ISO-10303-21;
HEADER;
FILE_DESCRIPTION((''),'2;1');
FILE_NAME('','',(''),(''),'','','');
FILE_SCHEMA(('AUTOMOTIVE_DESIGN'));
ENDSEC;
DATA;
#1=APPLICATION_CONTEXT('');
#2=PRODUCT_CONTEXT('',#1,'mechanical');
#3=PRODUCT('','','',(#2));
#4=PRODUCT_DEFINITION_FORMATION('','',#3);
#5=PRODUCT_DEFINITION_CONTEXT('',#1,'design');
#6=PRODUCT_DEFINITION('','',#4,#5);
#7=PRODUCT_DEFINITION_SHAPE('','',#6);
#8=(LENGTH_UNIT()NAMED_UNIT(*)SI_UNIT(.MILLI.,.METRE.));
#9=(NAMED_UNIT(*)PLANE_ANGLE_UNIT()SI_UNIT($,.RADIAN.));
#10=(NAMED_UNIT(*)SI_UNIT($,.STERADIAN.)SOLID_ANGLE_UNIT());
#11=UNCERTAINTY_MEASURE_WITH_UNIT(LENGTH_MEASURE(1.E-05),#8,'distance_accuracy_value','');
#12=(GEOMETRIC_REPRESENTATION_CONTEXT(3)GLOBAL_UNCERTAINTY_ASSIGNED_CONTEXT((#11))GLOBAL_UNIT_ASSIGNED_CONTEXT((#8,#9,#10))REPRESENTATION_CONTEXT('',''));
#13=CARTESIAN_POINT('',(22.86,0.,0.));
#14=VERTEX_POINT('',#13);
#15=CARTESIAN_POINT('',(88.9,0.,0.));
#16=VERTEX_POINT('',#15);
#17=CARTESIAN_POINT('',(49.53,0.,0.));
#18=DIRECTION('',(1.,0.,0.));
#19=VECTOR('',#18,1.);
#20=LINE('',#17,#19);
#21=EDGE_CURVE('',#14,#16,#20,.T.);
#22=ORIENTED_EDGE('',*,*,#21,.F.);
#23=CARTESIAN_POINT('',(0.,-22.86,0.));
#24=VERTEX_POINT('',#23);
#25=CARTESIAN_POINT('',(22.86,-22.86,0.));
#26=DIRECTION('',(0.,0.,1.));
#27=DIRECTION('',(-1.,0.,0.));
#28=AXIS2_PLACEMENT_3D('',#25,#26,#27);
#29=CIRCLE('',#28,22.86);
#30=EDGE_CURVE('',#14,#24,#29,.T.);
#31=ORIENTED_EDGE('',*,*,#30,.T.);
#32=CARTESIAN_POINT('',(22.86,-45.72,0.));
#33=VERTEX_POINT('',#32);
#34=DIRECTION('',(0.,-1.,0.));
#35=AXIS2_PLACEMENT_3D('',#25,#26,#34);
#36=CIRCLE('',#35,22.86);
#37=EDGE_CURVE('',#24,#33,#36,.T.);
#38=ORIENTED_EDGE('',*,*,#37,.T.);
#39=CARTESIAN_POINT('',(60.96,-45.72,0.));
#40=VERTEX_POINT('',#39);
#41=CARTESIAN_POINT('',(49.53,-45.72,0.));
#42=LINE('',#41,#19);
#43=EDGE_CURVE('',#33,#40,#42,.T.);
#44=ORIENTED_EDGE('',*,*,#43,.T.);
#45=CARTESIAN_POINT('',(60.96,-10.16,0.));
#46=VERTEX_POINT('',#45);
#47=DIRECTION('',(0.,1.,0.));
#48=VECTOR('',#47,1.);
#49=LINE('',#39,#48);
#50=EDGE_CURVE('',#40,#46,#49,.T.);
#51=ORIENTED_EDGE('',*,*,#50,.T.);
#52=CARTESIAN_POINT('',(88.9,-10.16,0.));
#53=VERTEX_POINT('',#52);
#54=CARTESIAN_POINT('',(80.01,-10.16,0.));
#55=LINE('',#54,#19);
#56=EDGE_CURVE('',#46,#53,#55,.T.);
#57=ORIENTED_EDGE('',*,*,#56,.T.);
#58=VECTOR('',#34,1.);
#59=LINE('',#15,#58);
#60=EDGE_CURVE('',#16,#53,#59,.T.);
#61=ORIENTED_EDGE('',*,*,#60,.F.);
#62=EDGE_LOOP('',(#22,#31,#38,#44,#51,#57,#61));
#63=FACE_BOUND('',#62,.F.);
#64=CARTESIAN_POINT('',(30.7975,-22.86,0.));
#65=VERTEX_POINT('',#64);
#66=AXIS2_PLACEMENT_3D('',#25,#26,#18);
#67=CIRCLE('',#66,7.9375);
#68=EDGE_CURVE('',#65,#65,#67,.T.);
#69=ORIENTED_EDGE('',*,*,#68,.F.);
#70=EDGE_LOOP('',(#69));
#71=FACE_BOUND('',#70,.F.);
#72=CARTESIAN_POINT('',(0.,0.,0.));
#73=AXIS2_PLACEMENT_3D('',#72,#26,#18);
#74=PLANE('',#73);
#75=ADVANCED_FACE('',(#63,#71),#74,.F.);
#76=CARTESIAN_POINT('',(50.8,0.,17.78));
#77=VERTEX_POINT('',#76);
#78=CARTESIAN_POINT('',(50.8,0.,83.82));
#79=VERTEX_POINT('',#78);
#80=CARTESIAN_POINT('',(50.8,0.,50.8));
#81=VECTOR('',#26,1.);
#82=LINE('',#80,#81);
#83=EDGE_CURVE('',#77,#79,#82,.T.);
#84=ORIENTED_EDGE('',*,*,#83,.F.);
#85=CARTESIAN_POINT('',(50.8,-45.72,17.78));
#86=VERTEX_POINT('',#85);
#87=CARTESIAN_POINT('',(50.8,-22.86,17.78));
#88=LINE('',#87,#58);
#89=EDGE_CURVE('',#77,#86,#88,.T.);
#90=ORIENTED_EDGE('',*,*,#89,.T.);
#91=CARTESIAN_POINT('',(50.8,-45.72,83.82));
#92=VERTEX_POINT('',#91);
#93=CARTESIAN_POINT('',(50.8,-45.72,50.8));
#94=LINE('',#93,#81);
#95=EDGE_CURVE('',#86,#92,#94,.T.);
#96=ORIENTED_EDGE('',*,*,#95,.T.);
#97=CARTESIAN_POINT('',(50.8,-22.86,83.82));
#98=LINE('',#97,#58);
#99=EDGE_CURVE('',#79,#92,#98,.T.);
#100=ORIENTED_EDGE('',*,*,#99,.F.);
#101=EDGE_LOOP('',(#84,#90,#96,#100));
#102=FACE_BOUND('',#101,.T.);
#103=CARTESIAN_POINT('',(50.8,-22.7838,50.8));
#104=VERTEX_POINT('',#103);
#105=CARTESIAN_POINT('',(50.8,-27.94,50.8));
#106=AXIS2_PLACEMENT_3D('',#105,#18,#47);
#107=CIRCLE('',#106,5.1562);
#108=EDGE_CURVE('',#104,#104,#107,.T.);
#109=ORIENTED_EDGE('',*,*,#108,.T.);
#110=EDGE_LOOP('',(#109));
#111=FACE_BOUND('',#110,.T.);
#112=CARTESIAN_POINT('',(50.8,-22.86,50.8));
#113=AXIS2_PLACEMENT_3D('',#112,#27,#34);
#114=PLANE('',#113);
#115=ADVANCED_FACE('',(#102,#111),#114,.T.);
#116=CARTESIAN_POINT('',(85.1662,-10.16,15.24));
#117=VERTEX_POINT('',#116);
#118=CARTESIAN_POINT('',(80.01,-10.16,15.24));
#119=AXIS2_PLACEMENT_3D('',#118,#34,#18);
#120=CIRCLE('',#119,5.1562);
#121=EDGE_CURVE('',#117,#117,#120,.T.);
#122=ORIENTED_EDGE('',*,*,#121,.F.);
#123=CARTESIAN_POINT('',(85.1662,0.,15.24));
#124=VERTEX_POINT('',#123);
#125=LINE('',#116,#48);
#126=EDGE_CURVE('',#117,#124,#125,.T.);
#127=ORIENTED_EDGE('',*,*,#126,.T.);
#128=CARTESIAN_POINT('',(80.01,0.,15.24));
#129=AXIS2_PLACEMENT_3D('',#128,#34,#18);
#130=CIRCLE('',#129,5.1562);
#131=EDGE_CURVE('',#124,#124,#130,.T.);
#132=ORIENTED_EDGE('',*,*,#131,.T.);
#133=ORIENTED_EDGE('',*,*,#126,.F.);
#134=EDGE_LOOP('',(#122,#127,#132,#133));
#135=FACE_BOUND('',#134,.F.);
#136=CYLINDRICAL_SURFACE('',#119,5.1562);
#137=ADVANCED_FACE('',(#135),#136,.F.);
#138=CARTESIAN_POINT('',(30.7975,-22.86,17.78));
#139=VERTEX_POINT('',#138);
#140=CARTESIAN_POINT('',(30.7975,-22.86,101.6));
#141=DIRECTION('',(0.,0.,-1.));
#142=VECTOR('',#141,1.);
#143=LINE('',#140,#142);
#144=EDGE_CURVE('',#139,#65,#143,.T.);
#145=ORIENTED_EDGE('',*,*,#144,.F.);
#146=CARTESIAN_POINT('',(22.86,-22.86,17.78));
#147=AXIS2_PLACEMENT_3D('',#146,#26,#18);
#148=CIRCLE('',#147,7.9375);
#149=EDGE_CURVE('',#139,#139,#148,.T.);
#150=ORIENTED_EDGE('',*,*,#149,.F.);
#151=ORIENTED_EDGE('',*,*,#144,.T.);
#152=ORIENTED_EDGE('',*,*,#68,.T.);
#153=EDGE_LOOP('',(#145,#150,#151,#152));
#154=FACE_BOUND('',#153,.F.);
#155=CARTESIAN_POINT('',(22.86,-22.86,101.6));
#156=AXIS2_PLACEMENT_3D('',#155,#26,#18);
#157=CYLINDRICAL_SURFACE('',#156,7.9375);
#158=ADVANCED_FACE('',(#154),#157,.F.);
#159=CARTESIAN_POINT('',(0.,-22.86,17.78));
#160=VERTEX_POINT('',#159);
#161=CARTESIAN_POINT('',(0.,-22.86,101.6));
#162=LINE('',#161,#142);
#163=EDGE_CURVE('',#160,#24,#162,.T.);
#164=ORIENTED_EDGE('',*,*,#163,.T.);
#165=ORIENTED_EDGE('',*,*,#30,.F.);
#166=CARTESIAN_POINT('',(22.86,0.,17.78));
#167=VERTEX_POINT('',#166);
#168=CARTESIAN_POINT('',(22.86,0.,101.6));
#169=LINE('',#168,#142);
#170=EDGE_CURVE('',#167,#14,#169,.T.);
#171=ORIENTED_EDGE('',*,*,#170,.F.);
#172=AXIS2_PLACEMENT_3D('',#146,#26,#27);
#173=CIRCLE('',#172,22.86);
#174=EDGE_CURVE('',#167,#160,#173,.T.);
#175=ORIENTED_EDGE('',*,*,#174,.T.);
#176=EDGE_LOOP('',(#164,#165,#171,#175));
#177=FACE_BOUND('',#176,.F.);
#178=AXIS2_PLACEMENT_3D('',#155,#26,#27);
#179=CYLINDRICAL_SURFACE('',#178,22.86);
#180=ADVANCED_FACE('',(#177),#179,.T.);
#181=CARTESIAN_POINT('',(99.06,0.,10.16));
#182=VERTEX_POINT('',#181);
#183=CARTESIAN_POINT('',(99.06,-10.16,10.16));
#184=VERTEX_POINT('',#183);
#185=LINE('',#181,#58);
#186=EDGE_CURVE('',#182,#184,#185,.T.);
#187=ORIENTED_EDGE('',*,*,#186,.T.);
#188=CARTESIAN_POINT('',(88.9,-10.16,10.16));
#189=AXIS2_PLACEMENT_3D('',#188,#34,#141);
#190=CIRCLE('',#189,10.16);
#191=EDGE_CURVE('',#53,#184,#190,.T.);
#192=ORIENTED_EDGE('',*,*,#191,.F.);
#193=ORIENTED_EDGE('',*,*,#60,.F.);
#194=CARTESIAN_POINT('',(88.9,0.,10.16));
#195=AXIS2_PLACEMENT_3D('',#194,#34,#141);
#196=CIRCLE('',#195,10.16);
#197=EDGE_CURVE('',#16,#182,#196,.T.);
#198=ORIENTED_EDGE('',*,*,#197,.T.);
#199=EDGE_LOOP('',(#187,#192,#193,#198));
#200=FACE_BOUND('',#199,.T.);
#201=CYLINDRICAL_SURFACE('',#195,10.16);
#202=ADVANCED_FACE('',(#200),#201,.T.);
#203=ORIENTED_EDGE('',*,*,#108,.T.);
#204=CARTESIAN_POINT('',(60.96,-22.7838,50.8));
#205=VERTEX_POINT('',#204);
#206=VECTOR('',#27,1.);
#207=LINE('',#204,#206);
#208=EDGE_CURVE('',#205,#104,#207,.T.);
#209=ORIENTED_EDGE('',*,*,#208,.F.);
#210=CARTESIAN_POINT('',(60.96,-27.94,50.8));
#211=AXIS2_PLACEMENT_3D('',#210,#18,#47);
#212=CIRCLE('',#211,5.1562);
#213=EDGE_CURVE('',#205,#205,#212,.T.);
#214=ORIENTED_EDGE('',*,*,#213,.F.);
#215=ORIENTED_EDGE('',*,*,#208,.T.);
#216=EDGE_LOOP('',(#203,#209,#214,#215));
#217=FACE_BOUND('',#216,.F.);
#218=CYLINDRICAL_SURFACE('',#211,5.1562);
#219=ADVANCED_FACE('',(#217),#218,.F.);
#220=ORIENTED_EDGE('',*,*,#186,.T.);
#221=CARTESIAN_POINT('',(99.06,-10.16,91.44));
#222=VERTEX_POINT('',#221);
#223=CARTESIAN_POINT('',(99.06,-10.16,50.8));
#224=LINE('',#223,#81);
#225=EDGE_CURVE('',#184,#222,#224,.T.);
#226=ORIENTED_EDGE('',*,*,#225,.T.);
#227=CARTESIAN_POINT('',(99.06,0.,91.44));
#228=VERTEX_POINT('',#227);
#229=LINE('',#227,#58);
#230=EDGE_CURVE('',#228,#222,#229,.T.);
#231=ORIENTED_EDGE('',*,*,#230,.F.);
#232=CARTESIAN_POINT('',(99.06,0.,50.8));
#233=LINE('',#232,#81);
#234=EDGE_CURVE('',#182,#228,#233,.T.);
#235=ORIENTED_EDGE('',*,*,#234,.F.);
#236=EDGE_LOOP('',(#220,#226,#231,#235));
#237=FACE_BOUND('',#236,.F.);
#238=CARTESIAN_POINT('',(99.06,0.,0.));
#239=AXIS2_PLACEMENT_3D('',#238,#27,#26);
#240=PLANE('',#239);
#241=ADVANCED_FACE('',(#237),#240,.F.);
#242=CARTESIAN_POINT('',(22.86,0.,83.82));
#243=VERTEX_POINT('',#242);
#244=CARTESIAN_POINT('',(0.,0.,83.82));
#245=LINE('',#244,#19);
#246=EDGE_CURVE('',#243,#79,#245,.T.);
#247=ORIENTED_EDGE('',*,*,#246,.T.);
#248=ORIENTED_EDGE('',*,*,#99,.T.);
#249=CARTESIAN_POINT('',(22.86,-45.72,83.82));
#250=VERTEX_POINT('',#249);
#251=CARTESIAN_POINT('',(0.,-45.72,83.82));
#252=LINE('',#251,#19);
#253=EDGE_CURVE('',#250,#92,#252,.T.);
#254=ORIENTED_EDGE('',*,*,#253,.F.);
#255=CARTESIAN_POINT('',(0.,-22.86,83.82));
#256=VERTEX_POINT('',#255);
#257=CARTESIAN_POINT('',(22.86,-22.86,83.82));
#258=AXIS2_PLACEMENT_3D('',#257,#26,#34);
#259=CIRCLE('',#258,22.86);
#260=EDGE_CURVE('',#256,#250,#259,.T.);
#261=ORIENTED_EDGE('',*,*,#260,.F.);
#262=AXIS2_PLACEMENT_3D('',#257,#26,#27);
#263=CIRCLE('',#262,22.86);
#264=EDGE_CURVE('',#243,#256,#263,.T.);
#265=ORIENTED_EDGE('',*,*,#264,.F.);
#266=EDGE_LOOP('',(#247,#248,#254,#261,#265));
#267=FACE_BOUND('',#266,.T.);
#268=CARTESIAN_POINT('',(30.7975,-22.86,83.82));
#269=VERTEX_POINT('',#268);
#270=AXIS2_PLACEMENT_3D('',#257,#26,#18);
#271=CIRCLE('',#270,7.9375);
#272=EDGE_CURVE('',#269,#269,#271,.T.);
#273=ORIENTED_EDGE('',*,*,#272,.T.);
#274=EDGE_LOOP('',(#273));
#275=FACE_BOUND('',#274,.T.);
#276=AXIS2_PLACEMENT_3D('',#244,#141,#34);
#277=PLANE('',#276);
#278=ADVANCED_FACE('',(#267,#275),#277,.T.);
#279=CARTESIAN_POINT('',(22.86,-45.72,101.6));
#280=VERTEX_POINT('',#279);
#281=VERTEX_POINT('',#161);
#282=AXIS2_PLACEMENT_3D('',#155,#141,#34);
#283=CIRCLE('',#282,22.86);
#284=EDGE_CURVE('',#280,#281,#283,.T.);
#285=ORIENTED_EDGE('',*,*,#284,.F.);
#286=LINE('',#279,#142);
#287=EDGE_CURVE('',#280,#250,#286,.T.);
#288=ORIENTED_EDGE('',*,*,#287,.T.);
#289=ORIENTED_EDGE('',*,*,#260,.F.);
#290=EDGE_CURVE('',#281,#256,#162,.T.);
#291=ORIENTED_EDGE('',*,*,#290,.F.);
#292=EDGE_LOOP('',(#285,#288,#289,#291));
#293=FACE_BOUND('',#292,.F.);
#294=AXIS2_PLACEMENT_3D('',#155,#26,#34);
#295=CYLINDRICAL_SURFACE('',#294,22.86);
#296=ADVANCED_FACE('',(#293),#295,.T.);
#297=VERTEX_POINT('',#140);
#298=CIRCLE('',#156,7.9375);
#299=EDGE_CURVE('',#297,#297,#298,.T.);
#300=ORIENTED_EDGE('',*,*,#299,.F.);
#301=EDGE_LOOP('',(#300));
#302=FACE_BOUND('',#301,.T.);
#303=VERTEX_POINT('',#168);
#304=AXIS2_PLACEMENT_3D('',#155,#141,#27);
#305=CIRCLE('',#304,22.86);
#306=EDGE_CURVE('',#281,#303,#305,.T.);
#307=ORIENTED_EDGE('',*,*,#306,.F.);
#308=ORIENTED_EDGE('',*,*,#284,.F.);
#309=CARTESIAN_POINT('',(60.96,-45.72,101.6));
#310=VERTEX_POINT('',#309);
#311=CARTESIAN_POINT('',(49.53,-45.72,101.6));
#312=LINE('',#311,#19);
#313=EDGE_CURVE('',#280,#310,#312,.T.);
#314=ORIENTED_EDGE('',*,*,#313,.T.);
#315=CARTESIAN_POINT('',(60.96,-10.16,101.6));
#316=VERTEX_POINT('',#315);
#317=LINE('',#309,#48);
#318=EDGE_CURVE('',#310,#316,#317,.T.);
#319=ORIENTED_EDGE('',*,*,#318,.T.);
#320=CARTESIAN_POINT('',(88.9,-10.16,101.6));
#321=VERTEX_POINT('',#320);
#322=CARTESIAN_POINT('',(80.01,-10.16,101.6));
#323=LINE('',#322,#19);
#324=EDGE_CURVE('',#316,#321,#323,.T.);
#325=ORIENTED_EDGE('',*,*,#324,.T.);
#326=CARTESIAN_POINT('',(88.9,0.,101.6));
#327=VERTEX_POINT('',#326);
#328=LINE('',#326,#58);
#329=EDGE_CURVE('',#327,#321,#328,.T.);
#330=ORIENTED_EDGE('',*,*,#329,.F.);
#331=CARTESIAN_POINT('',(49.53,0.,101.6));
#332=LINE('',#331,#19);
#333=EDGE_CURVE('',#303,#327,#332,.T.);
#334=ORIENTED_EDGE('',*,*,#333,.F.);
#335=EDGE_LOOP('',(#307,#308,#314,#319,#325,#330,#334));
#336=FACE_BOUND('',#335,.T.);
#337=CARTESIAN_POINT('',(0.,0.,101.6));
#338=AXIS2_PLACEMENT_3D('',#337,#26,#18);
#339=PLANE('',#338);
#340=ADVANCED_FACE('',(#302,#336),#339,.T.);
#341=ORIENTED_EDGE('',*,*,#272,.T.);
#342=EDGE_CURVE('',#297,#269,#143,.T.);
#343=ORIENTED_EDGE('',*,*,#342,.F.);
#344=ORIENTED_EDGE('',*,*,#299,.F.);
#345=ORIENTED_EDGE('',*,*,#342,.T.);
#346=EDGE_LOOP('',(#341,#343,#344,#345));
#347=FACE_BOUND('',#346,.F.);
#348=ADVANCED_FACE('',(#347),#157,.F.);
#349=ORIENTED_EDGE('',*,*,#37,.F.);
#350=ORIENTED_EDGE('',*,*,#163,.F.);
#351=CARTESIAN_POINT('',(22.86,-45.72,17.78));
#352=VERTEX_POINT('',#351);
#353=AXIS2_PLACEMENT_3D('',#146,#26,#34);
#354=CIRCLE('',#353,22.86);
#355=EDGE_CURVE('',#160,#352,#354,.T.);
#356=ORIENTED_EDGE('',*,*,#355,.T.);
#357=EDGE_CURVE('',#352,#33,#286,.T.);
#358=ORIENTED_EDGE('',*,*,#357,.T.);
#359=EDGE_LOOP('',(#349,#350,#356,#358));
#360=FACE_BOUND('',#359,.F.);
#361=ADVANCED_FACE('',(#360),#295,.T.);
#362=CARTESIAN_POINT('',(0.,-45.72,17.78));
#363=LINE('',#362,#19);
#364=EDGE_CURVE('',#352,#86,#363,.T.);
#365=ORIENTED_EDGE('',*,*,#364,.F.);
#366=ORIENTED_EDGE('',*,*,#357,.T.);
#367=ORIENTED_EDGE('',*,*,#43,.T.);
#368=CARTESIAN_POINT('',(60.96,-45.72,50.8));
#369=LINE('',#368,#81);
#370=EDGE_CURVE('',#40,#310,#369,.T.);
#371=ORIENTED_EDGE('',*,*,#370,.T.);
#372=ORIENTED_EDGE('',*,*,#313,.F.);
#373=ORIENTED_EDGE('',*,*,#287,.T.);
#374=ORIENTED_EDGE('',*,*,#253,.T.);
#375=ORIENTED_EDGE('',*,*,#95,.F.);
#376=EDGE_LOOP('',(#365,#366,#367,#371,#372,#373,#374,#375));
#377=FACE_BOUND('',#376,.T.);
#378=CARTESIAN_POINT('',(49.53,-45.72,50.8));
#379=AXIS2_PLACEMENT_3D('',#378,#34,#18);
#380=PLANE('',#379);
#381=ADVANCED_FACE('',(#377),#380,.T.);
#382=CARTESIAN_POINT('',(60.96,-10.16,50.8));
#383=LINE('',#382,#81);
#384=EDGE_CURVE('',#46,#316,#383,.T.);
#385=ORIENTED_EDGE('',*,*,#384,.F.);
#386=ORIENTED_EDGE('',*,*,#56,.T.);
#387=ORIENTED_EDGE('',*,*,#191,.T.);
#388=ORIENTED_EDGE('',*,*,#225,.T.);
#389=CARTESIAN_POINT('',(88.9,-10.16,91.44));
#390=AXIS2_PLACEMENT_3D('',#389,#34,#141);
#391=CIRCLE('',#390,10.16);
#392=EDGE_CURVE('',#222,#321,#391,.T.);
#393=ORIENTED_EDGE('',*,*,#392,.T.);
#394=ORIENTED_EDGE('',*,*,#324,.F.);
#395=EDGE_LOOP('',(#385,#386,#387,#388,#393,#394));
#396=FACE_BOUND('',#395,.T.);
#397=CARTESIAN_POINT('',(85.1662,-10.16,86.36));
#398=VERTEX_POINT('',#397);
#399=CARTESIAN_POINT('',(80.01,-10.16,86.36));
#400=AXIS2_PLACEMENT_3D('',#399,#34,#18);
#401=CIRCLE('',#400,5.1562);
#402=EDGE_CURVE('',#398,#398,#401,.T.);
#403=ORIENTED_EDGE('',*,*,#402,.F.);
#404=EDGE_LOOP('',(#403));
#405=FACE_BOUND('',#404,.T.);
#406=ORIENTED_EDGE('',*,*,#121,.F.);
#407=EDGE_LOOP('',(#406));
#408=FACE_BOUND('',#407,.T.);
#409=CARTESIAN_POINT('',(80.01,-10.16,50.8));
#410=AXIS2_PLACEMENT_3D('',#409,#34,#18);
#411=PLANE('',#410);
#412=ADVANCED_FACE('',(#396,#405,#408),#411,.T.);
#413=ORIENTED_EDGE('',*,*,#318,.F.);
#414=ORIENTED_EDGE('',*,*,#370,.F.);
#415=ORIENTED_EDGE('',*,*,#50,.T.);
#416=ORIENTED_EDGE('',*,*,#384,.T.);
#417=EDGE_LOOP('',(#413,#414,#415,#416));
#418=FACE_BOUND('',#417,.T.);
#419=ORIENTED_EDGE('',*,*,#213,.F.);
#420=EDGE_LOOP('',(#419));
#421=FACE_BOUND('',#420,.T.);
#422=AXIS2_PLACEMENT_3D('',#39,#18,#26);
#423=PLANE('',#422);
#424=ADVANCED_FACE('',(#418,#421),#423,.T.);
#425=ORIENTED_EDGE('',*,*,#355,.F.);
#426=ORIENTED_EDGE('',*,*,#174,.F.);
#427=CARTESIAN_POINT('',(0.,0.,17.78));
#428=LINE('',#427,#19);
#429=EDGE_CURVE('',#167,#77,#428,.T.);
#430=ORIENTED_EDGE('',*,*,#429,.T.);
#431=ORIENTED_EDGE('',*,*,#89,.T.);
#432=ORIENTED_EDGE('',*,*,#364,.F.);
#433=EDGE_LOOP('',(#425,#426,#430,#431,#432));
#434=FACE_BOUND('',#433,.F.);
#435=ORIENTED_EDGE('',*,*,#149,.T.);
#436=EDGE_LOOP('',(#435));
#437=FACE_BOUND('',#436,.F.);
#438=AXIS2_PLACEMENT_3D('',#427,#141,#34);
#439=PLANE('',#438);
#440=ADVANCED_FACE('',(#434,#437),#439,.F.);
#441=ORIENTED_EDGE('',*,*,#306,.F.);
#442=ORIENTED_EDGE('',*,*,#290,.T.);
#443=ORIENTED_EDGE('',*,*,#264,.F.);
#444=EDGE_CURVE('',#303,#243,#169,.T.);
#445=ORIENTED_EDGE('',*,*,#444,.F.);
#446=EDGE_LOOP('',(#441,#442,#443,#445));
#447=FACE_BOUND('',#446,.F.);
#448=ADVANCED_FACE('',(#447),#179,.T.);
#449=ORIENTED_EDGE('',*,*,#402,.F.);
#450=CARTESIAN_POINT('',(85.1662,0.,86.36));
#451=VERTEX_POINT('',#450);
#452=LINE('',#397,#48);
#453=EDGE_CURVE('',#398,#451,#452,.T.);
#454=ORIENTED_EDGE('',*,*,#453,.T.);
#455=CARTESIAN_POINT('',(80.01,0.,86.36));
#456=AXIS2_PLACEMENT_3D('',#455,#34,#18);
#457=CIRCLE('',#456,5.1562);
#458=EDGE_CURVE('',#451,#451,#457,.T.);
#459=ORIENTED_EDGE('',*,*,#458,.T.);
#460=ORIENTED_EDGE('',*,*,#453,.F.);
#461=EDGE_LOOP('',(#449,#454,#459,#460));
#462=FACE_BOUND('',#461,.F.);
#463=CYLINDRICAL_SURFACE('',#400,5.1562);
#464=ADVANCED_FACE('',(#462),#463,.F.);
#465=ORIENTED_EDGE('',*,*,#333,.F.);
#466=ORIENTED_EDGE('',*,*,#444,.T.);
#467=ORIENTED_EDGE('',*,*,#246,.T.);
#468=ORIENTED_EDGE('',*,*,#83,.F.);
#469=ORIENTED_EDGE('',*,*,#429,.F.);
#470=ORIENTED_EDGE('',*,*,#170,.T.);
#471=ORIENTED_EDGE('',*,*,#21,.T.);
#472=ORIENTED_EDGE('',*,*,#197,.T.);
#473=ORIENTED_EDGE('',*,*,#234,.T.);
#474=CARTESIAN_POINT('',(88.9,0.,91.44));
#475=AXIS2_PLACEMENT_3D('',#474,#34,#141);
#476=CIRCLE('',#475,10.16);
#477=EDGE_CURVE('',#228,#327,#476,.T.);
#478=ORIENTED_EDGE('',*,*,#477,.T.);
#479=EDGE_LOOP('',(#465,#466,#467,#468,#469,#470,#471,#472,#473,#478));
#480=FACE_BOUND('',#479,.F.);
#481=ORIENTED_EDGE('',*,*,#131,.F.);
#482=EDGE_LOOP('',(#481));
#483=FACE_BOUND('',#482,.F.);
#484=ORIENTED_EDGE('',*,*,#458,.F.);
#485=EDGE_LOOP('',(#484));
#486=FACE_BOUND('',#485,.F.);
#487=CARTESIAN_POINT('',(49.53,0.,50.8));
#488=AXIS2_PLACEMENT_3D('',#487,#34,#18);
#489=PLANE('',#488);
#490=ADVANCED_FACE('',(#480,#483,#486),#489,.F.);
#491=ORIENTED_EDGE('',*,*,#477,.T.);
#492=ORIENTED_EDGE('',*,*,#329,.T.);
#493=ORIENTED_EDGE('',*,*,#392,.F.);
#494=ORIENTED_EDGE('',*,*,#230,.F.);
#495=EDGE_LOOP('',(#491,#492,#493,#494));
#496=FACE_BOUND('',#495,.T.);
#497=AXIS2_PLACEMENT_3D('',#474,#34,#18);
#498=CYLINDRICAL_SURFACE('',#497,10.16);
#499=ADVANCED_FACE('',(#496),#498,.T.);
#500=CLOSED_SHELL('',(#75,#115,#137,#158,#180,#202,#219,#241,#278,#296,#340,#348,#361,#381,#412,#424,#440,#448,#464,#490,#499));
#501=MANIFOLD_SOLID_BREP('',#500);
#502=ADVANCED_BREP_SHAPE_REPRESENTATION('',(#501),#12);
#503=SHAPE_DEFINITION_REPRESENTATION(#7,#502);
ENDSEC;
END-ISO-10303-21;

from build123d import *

# Parameters (mm, degrees)
F0_W      = 99.06
F0_H      = 101.6
F1_DEPTH  = 45.72
F2_W      = 38.1
F2_H      = 101.6
F3_DEPTH  = 35.56
F4_W      = 45.72
F4_H      = 66.04
F5_DEPTH  = 50.8
F6_R      = 7.9375
F7_DEPTH  = 101.601
F8_R      = 5.1562
F9_DEPTH  = 60.961
F10_R     = 5.1562
F11_DEPTH = 10.161
F12_R     = 10.16


with BuildPart() as f1:
    # F0 (on Front) → F1 (new body)
    with BuildSketch(Plane.XZ):
        with Locations((49.53, 50.8)):
            Rectangle(F0_W, F0_H)
    extrude(amount=F1_DEPTH)

    # F2 (on face) → F3 (cut)
    with BuildSketch(Plane.XZ.offset(45.72)):
        with Locations((80.01, 50.8)):
            Rectangle(F2_W, F2_H)
    extrude(amount=-F3_DEPTH, mode=Mode.SUBTRACT)

    # F4 (on face) → F5 (cut)
    with BuildSketch(Plane(origin=(0, 0, 0), x_dir=(0, -1, 0), z_dir=(-1, 0, 0))):
        with Locations((22.86, 50.8)):
            Rectangle(F4_W, F4_H)
    extrude(amount=-F5_DEPTH, mode=Mode.SUBTRACT)

    # F6 (on face) → F7 (cut, through all)
    with BuildSketch(Plane.XY.offset(101.6)):
        with Locations((22.86, -22.86)):
            Circle(F6_R)
        with BuildLine():
            ThreePointArc((0, -22.86), (6.6955389909, -6.6955389733), (22.8600000249, 0))
            Line((22.8600000249, 0), (0, 0))
            Line((0, 0), (0, -22.86))
        make_face()
        with BuildLine():
            Line((0, -45.72), (22.86, -45.72))
            ThreePointArc((22.86, -45.72), (6.6955389821, -39.0244610179), (0, -22.86))
            Line((0, -22.86), (0, -45.72))
        make_face()
    extrude(amount=-F7_DEPTH, mode=Mode.SUBTRACT)

    # F8 (on face) → F9 (cut, through all)
    with BuildSketch(Plane.YZ.offset(60.96)):
        with Locations((-27.94, 50.8)):
            Circle(F8_R)
    extrude(amount=-F9_DEPTH, mode=Mode.SUBTRACT)

    # F10 (on face) → F11 (cut, through all)
    with BuildSketch(Plane.XZ.offset(10.16)):
        with Locations((80.01, 86.36)):
            Circle(F10_R)
        with Locations((80.01, 15.24)):
            Circle(F10_R)
    extrude(amount=-F11_DEPTH, mode=Mode.SUBTRACT)

    # F12
    f12_edges = [f1.edges().sort_by_distance(p)[0] for p in [
        (99.06, -5.08, 101.6),
        (99.06, -5.08, 0),
    ]]
    fillet(f12_edges, radius=F12_R)


solid = f1.part
